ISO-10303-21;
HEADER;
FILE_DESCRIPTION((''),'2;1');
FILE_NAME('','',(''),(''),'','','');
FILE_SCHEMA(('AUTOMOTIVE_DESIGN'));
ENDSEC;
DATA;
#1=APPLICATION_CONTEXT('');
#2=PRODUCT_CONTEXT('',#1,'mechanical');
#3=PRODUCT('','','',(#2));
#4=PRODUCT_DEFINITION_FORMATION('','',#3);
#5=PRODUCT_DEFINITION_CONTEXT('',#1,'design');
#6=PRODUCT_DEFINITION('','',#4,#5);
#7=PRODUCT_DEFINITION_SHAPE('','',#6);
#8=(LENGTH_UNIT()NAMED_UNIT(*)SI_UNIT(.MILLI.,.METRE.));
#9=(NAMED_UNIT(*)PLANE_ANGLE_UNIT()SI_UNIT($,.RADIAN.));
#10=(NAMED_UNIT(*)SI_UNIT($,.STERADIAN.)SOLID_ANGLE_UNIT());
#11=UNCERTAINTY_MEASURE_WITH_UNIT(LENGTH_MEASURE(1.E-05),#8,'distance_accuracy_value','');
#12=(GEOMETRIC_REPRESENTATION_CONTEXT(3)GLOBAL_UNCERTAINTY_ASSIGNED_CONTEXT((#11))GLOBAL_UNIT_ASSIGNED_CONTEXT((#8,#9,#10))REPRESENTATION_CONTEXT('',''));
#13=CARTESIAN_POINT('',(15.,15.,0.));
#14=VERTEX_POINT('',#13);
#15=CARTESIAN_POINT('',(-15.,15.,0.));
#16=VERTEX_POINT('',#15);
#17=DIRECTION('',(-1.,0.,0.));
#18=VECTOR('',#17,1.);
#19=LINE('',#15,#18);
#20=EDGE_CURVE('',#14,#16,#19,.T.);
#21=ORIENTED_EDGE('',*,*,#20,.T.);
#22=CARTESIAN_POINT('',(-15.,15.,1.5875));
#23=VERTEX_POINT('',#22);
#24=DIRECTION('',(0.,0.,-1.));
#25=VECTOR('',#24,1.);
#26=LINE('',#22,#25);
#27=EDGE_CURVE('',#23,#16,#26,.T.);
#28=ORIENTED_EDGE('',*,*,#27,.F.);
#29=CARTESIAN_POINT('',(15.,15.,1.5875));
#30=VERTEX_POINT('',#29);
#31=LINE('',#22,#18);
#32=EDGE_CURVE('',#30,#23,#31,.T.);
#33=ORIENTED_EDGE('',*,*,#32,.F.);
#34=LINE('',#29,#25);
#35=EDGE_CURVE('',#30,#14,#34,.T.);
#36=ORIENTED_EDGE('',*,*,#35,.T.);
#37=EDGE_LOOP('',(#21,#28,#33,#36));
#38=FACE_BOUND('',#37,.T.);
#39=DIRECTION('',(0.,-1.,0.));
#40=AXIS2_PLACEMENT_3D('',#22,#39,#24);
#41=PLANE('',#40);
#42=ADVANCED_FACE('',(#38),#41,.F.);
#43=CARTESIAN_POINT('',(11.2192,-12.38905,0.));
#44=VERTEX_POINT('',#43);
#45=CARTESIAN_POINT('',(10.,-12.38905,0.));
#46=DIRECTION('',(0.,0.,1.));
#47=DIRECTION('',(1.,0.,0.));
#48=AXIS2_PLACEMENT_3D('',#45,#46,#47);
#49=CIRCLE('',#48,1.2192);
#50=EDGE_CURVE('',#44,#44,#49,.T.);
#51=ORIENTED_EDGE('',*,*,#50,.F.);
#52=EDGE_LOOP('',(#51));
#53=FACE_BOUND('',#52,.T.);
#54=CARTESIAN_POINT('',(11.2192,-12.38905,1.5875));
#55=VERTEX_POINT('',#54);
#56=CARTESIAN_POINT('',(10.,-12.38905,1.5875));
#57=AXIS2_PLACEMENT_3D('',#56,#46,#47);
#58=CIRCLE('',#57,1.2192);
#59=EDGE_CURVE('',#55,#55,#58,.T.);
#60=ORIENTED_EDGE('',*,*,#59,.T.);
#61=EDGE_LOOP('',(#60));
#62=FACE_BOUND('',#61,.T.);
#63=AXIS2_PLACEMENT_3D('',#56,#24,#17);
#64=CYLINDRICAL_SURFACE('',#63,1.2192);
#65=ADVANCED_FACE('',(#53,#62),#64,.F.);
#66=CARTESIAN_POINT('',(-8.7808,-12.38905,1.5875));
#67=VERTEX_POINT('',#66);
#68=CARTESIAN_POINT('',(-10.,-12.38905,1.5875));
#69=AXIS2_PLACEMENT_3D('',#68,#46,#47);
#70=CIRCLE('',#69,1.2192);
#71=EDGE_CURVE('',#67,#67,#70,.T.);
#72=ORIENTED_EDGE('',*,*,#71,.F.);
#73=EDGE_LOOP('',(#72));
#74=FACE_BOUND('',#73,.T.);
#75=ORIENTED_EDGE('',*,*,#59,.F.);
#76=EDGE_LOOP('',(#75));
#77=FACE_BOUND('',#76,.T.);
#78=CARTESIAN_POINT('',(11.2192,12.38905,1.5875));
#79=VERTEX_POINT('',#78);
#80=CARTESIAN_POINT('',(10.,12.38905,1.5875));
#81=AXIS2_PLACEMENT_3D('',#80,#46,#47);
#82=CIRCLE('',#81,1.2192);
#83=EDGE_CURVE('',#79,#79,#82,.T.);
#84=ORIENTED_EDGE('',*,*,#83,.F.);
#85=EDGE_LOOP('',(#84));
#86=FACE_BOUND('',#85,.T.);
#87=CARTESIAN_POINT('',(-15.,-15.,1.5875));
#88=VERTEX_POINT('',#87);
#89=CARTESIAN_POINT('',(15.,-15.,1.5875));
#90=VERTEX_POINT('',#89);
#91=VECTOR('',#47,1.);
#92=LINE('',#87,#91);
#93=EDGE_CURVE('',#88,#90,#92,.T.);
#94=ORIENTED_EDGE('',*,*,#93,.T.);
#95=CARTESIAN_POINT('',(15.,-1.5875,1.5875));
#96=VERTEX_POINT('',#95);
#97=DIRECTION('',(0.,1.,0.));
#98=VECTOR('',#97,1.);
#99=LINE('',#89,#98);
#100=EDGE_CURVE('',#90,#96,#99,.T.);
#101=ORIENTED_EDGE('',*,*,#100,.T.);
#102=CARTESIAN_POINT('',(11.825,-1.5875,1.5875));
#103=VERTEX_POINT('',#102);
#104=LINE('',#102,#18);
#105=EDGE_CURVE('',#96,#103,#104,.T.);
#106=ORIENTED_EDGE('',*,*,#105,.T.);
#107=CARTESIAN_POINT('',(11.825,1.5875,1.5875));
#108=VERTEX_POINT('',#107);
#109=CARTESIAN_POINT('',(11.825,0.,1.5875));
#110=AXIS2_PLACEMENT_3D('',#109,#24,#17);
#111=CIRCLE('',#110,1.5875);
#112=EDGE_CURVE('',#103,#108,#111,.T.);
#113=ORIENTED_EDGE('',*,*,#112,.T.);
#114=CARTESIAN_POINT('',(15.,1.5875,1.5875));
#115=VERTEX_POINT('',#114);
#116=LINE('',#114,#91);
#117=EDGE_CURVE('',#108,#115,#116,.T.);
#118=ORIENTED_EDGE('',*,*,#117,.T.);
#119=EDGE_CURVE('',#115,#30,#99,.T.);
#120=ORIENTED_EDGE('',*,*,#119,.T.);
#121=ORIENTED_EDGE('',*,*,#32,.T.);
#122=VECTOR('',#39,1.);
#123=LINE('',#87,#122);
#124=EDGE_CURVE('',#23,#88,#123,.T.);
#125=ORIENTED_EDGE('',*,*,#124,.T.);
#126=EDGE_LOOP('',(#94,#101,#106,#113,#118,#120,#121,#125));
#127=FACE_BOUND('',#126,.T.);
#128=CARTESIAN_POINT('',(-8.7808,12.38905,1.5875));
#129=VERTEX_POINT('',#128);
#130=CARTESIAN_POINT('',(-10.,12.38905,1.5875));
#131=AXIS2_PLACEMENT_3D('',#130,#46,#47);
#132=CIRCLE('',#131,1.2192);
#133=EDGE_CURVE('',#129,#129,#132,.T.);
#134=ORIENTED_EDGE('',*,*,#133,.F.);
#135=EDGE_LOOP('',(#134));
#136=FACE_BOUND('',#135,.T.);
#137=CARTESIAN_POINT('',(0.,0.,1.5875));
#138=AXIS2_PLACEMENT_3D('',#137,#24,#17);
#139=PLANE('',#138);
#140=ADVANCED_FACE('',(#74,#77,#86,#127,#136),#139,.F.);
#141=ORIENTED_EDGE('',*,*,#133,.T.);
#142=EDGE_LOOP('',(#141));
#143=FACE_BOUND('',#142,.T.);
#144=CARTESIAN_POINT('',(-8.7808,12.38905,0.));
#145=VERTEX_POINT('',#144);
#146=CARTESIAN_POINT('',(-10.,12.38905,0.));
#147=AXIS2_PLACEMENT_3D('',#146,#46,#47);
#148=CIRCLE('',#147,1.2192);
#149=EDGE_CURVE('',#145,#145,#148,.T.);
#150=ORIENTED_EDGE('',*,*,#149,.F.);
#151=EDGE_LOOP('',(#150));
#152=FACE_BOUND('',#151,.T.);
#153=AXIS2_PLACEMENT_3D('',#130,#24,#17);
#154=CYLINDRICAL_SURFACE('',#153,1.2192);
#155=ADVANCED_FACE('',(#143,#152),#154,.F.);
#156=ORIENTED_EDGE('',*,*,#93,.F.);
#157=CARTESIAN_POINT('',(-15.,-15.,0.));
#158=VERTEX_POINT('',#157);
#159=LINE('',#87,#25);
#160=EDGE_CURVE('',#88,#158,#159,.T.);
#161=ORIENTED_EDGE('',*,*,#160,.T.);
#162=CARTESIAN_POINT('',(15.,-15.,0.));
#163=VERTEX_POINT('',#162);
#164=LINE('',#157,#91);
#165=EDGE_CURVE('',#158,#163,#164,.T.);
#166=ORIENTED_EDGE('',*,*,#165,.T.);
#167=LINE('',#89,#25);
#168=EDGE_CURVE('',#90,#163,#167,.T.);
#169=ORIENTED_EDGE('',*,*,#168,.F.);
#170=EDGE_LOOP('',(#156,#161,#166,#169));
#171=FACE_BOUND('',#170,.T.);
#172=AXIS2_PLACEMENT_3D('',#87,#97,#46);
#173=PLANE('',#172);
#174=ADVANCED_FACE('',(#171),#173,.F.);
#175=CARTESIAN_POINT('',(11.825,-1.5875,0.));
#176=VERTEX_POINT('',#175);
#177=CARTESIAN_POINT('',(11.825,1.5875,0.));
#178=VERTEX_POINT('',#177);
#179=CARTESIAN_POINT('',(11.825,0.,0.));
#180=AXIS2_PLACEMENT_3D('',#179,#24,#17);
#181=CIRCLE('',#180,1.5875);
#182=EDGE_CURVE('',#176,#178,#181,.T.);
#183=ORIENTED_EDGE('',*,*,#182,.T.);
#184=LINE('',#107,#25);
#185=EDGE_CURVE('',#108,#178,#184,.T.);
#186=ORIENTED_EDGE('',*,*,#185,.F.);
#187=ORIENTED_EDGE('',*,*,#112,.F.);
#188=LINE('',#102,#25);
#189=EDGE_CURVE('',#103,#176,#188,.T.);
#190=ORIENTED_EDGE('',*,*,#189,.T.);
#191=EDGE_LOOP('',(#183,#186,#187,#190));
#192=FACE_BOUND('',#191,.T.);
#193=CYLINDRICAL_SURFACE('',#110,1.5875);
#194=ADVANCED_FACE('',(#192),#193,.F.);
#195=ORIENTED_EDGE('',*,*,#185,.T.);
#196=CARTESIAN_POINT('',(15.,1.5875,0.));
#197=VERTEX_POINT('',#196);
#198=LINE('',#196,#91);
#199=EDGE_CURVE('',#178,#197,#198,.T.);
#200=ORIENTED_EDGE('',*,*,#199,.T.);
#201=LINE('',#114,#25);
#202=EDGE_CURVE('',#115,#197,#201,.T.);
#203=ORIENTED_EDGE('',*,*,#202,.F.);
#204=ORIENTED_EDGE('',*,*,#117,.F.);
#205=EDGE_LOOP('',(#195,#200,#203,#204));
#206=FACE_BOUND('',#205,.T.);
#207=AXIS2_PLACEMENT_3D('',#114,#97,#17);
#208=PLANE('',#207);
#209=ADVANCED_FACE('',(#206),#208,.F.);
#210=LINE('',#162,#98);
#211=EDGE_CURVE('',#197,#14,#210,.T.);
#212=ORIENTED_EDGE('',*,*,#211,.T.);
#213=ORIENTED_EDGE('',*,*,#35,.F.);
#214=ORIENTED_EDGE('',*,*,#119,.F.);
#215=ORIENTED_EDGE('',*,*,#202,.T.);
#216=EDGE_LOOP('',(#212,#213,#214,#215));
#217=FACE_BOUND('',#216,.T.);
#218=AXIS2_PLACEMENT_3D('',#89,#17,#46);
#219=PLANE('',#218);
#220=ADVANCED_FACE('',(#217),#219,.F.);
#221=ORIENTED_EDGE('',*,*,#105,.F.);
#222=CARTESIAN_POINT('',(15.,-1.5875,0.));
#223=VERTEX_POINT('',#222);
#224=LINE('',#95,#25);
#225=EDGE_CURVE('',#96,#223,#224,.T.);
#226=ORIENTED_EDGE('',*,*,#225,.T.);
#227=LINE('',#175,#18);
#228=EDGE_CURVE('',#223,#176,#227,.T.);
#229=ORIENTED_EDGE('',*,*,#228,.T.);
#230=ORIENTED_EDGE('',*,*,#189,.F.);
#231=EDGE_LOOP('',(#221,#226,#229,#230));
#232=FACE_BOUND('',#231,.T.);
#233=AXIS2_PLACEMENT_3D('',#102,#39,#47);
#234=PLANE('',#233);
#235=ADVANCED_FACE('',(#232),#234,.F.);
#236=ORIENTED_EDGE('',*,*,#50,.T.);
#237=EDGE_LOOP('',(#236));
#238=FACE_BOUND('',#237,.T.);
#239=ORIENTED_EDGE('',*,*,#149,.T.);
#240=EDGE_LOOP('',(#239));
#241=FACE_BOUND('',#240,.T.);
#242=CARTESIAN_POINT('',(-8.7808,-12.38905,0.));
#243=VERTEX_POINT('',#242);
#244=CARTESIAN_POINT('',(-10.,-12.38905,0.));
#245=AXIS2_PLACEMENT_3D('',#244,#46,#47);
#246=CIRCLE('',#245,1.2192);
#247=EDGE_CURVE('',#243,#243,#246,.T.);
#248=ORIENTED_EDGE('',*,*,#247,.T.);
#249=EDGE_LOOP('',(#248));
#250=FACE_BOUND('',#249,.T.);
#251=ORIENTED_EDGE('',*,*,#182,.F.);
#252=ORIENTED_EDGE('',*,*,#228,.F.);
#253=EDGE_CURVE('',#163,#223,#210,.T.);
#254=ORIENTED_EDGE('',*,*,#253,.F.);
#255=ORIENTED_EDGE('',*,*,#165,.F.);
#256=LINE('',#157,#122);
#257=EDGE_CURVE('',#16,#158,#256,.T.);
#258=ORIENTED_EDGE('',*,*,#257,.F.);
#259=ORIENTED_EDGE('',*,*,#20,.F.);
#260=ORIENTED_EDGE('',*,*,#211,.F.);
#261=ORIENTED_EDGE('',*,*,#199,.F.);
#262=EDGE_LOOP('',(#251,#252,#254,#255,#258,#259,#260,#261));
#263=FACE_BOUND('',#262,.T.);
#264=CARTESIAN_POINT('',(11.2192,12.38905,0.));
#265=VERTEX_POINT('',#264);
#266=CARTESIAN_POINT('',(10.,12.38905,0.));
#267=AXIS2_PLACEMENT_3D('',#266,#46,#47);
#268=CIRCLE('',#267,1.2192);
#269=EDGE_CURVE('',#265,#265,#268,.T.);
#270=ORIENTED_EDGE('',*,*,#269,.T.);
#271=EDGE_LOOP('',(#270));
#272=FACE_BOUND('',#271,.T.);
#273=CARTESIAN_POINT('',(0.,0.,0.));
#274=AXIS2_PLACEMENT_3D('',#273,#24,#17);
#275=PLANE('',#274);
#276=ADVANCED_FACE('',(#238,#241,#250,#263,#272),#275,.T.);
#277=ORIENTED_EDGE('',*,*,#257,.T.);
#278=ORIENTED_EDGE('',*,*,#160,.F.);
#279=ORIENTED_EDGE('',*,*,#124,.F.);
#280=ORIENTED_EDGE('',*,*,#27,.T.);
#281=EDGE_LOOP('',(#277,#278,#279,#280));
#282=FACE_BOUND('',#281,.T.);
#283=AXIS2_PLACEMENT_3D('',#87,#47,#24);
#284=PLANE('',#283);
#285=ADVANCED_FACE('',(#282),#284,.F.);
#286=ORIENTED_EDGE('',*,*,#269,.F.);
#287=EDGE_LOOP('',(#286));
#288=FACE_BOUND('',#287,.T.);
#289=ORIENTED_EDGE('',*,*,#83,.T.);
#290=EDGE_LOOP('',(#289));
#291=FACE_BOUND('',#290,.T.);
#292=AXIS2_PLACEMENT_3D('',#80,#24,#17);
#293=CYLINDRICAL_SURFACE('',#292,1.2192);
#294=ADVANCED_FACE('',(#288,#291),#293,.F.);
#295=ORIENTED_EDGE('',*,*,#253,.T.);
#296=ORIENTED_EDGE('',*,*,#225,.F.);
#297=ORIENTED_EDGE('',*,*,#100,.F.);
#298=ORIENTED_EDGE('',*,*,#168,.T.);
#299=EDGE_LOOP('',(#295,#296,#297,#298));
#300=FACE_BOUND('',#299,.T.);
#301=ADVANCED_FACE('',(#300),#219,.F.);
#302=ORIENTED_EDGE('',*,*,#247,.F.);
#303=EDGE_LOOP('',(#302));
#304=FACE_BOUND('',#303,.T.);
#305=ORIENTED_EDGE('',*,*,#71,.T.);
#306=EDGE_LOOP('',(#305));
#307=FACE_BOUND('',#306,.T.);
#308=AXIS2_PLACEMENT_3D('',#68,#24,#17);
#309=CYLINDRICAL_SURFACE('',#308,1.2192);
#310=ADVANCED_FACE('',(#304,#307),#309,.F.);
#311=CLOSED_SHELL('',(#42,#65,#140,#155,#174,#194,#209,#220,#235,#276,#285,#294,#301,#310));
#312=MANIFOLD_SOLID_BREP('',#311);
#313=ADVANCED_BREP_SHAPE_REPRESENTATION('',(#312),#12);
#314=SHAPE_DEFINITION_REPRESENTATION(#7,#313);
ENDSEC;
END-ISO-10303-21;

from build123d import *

# Parameters (mm, degrees)
SKETCH2_W           = 30
SKETCH2_H           = 30
SKETCH2_R           = 1.2192
BOSS_EXTRUDE1_DEPTH = 1.5875
CUT_EXTRUDE1_DEPTH  = 22.272521154


with BuildPart() as part:
    # Sketch2 → Boss-Extrude1 (new body)
    with BuildSketch(Plane.XY):
        Rectangle(SKETCH2_W, SKETCH2_H)
        with Locations((-10, 12.38905)):
            Circle(SKETCH2_R, mode=Mode.SUBTRACT)
        with Locations((10, 12.38905)):
            Circle(SKETCH2_R, mode=Mode.SUBTRACT)
        with Locations((10, -12.38905)):
            Circle(SKETCH2_R, mode=Mode.SUBTRACT)
        with Locations((-10, -12.38905)):
            Circle(SKETCH2_R, mode=Mode.SUBTRACT)
    extrude(amount=BOSS_EXTRUDE1_DEPTH)

    # Sketch3 → Cut-Extrude1 (cut, through all)
    with BuildSketch(Plane(origin=(0, 0, 0), x_dir=(-1, 0, 0), z_dir=(0, 0, -1))):
        with BuildLine():
            Line((-11.825, -1.5875), (-15, -1.5875))
            Line((-15, -1.5875), (-15, 1.5875))
            Line((-15, 1.5875), (-11.825, 1.5875))
            ThreePointArc((-11.825, 1.5875), (-10.2375, 0), (-11.825, -1.5875))
        make_face()
    extrude(amount=-CUT_EXTRUDE1_DEPTH, mode=Mode.SUBTRACT)


solid = part.part
